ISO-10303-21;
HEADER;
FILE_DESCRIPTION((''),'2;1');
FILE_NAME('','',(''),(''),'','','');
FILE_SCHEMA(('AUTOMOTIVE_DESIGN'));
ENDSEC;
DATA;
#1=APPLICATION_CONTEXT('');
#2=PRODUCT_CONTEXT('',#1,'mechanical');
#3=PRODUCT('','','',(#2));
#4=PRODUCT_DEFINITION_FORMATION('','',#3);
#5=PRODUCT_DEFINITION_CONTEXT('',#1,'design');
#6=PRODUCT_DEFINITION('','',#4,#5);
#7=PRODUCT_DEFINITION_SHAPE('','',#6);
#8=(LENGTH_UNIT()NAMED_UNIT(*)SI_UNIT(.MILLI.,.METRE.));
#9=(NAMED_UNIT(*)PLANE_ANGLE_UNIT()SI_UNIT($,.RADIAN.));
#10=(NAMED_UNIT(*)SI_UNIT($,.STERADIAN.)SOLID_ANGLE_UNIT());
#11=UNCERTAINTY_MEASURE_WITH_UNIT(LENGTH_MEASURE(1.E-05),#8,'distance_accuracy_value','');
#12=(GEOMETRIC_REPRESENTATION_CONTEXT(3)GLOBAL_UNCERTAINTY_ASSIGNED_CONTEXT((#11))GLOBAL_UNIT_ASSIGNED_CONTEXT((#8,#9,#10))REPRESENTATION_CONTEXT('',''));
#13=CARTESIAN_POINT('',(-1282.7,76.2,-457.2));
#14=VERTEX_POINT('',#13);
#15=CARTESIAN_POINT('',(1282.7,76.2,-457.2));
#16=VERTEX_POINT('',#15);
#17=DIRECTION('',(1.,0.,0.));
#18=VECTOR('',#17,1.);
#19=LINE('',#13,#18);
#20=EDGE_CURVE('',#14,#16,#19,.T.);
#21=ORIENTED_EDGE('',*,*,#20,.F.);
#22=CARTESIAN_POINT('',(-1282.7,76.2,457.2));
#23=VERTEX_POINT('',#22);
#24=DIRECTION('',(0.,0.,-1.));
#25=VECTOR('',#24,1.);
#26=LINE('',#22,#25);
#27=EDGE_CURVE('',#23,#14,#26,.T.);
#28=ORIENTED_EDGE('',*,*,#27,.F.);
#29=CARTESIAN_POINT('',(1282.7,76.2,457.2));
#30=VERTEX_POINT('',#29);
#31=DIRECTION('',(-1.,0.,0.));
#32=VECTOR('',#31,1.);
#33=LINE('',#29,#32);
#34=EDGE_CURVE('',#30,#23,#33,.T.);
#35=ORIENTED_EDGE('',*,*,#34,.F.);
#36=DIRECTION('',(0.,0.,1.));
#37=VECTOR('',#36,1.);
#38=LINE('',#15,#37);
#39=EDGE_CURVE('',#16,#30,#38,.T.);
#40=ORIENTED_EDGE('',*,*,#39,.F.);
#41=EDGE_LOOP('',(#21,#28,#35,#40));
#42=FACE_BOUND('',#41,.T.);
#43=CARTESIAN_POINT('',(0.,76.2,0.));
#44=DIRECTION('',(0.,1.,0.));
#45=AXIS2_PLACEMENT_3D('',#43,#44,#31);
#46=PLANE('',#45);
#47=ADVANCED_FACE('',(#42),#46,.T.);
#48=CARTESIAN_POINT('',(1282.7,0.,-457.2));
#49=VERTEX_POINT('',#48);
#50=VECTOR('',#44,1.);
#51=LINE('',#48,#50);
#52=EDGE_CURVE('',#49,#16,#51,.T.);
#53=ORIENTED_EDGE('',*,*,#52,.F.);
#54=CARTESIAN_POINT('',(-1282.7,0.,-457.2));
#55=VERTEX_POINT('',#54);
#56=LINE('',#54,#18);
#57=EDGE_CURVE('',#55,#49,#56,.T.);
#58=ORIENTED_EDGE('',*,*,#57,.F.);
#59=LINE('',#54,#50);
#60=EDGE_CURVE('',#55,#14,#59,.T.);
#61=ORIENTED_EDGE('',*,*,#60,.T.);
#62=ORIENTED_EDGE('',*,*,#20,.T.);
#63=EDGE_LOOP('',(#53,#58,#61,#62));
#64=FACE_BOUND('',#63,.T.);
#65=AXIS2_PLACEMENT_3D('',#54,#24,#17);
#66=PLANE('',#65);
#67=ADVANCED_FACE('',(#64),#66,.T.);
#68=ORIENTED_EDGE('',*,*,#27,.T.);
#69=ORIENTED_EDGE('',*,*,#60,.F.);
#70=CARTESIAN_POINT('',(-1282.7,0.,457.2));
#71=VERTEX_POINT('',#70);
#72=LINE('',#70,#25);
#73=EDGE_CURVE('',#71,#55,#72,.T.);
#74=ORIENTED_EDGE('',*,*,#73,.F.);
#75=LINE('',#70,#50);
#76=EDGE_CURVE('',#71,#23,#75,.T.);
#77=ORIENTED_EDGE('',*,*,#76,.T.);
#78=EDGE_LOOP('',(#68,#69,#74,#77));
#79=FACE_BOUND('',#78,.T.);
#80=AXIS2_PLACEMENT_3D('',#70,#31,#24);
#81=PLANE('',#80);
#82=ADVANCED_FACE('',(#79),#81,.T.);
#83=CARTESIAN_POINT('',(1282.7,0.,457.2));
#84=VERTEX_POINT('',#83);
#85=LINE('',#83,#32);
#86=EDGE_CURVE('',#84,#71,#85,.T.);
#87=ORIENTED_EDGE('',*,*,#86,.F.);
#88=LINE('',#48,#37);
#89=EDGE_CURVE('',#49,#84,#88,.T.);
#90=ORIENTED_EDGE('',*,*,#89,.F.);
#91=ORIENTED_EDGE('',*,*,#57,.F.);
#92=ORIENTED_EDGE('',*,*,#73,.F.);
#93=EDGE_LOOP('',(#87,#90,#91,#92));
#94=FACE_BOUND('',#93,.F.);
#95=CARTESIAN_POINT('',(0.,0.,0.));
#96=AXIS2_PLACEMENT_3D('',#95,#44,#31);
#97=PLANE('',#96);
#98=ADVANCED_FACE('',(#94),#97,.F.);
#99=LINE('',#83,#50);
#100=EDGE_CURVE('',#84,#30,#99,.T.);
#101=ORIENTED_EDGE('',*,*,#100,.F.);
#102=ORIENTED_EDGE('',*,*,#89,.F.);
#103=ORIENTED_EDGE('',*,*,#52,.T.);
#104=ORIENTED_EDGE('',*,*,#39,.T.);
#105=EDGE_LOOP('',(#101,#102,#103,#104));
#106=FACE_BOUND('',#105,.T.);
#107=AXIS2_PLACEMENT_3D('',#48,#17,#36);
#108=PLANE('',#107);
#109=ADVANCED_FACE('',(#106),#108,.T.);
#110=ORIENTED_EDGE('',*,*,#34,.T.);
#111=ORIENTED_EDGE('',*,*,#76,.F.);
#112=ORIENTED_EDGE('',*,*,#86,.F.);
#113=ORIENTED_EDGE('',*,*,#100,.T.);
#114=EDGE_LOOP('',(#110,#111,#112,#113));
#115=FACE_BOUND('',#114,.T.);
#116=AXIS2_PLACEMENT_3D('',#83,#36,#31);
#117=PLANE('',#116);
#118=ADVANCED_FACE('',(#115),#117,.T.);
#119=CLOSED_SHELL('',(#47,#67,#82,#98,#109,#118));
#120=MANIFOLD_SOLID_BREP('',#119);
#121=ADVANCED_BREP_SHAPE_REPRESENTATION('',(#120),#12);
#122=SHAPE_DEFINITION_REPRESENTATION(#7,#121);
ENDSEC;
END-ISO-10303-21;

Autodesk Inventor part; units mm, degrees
ref_plane "YZ Plane" through (0, 0, 0) normal (1, 0, 0) x (0, 1, 0)
ref_plane "XZ Plane" through (0, 0, 0) normal (0, 1, 0) x (-1, 0, 0)
ref_plane "XY Plane" through (0, 0, 0) normal (0, 0, 1) x (1, 0, 0)
sketch "Sketch1" plane through (0, 0, 0) normal (0, 1, 0) x (-1, 0, 0)
  line L0 (1282.7, -457.2) -> (-1282.7, -457.2)
  line L1 (-1282.7, -457.2) -> (-1282.7, 457.2)
  line L2 (-1282.7, 457.2) -> (1282.7, 457.2)
  line L3 (1282.7, 457.2) -> (1282.7, -457.2)
  line L4 (1282.7, -457.2) -> (-1282.7, 457.2) construction
  line L5 (-1282.7, -457.2) -> (1282.7, 457.2) construction
  point P0 (0, 0)
  dimension "d0" = 2565.4
  dimension "d1" = 914.4
extrude "Extrusion1" add sketch "Sketch1" along normal blind 76.2
properties part number "StoneLid" material "Limestone"
